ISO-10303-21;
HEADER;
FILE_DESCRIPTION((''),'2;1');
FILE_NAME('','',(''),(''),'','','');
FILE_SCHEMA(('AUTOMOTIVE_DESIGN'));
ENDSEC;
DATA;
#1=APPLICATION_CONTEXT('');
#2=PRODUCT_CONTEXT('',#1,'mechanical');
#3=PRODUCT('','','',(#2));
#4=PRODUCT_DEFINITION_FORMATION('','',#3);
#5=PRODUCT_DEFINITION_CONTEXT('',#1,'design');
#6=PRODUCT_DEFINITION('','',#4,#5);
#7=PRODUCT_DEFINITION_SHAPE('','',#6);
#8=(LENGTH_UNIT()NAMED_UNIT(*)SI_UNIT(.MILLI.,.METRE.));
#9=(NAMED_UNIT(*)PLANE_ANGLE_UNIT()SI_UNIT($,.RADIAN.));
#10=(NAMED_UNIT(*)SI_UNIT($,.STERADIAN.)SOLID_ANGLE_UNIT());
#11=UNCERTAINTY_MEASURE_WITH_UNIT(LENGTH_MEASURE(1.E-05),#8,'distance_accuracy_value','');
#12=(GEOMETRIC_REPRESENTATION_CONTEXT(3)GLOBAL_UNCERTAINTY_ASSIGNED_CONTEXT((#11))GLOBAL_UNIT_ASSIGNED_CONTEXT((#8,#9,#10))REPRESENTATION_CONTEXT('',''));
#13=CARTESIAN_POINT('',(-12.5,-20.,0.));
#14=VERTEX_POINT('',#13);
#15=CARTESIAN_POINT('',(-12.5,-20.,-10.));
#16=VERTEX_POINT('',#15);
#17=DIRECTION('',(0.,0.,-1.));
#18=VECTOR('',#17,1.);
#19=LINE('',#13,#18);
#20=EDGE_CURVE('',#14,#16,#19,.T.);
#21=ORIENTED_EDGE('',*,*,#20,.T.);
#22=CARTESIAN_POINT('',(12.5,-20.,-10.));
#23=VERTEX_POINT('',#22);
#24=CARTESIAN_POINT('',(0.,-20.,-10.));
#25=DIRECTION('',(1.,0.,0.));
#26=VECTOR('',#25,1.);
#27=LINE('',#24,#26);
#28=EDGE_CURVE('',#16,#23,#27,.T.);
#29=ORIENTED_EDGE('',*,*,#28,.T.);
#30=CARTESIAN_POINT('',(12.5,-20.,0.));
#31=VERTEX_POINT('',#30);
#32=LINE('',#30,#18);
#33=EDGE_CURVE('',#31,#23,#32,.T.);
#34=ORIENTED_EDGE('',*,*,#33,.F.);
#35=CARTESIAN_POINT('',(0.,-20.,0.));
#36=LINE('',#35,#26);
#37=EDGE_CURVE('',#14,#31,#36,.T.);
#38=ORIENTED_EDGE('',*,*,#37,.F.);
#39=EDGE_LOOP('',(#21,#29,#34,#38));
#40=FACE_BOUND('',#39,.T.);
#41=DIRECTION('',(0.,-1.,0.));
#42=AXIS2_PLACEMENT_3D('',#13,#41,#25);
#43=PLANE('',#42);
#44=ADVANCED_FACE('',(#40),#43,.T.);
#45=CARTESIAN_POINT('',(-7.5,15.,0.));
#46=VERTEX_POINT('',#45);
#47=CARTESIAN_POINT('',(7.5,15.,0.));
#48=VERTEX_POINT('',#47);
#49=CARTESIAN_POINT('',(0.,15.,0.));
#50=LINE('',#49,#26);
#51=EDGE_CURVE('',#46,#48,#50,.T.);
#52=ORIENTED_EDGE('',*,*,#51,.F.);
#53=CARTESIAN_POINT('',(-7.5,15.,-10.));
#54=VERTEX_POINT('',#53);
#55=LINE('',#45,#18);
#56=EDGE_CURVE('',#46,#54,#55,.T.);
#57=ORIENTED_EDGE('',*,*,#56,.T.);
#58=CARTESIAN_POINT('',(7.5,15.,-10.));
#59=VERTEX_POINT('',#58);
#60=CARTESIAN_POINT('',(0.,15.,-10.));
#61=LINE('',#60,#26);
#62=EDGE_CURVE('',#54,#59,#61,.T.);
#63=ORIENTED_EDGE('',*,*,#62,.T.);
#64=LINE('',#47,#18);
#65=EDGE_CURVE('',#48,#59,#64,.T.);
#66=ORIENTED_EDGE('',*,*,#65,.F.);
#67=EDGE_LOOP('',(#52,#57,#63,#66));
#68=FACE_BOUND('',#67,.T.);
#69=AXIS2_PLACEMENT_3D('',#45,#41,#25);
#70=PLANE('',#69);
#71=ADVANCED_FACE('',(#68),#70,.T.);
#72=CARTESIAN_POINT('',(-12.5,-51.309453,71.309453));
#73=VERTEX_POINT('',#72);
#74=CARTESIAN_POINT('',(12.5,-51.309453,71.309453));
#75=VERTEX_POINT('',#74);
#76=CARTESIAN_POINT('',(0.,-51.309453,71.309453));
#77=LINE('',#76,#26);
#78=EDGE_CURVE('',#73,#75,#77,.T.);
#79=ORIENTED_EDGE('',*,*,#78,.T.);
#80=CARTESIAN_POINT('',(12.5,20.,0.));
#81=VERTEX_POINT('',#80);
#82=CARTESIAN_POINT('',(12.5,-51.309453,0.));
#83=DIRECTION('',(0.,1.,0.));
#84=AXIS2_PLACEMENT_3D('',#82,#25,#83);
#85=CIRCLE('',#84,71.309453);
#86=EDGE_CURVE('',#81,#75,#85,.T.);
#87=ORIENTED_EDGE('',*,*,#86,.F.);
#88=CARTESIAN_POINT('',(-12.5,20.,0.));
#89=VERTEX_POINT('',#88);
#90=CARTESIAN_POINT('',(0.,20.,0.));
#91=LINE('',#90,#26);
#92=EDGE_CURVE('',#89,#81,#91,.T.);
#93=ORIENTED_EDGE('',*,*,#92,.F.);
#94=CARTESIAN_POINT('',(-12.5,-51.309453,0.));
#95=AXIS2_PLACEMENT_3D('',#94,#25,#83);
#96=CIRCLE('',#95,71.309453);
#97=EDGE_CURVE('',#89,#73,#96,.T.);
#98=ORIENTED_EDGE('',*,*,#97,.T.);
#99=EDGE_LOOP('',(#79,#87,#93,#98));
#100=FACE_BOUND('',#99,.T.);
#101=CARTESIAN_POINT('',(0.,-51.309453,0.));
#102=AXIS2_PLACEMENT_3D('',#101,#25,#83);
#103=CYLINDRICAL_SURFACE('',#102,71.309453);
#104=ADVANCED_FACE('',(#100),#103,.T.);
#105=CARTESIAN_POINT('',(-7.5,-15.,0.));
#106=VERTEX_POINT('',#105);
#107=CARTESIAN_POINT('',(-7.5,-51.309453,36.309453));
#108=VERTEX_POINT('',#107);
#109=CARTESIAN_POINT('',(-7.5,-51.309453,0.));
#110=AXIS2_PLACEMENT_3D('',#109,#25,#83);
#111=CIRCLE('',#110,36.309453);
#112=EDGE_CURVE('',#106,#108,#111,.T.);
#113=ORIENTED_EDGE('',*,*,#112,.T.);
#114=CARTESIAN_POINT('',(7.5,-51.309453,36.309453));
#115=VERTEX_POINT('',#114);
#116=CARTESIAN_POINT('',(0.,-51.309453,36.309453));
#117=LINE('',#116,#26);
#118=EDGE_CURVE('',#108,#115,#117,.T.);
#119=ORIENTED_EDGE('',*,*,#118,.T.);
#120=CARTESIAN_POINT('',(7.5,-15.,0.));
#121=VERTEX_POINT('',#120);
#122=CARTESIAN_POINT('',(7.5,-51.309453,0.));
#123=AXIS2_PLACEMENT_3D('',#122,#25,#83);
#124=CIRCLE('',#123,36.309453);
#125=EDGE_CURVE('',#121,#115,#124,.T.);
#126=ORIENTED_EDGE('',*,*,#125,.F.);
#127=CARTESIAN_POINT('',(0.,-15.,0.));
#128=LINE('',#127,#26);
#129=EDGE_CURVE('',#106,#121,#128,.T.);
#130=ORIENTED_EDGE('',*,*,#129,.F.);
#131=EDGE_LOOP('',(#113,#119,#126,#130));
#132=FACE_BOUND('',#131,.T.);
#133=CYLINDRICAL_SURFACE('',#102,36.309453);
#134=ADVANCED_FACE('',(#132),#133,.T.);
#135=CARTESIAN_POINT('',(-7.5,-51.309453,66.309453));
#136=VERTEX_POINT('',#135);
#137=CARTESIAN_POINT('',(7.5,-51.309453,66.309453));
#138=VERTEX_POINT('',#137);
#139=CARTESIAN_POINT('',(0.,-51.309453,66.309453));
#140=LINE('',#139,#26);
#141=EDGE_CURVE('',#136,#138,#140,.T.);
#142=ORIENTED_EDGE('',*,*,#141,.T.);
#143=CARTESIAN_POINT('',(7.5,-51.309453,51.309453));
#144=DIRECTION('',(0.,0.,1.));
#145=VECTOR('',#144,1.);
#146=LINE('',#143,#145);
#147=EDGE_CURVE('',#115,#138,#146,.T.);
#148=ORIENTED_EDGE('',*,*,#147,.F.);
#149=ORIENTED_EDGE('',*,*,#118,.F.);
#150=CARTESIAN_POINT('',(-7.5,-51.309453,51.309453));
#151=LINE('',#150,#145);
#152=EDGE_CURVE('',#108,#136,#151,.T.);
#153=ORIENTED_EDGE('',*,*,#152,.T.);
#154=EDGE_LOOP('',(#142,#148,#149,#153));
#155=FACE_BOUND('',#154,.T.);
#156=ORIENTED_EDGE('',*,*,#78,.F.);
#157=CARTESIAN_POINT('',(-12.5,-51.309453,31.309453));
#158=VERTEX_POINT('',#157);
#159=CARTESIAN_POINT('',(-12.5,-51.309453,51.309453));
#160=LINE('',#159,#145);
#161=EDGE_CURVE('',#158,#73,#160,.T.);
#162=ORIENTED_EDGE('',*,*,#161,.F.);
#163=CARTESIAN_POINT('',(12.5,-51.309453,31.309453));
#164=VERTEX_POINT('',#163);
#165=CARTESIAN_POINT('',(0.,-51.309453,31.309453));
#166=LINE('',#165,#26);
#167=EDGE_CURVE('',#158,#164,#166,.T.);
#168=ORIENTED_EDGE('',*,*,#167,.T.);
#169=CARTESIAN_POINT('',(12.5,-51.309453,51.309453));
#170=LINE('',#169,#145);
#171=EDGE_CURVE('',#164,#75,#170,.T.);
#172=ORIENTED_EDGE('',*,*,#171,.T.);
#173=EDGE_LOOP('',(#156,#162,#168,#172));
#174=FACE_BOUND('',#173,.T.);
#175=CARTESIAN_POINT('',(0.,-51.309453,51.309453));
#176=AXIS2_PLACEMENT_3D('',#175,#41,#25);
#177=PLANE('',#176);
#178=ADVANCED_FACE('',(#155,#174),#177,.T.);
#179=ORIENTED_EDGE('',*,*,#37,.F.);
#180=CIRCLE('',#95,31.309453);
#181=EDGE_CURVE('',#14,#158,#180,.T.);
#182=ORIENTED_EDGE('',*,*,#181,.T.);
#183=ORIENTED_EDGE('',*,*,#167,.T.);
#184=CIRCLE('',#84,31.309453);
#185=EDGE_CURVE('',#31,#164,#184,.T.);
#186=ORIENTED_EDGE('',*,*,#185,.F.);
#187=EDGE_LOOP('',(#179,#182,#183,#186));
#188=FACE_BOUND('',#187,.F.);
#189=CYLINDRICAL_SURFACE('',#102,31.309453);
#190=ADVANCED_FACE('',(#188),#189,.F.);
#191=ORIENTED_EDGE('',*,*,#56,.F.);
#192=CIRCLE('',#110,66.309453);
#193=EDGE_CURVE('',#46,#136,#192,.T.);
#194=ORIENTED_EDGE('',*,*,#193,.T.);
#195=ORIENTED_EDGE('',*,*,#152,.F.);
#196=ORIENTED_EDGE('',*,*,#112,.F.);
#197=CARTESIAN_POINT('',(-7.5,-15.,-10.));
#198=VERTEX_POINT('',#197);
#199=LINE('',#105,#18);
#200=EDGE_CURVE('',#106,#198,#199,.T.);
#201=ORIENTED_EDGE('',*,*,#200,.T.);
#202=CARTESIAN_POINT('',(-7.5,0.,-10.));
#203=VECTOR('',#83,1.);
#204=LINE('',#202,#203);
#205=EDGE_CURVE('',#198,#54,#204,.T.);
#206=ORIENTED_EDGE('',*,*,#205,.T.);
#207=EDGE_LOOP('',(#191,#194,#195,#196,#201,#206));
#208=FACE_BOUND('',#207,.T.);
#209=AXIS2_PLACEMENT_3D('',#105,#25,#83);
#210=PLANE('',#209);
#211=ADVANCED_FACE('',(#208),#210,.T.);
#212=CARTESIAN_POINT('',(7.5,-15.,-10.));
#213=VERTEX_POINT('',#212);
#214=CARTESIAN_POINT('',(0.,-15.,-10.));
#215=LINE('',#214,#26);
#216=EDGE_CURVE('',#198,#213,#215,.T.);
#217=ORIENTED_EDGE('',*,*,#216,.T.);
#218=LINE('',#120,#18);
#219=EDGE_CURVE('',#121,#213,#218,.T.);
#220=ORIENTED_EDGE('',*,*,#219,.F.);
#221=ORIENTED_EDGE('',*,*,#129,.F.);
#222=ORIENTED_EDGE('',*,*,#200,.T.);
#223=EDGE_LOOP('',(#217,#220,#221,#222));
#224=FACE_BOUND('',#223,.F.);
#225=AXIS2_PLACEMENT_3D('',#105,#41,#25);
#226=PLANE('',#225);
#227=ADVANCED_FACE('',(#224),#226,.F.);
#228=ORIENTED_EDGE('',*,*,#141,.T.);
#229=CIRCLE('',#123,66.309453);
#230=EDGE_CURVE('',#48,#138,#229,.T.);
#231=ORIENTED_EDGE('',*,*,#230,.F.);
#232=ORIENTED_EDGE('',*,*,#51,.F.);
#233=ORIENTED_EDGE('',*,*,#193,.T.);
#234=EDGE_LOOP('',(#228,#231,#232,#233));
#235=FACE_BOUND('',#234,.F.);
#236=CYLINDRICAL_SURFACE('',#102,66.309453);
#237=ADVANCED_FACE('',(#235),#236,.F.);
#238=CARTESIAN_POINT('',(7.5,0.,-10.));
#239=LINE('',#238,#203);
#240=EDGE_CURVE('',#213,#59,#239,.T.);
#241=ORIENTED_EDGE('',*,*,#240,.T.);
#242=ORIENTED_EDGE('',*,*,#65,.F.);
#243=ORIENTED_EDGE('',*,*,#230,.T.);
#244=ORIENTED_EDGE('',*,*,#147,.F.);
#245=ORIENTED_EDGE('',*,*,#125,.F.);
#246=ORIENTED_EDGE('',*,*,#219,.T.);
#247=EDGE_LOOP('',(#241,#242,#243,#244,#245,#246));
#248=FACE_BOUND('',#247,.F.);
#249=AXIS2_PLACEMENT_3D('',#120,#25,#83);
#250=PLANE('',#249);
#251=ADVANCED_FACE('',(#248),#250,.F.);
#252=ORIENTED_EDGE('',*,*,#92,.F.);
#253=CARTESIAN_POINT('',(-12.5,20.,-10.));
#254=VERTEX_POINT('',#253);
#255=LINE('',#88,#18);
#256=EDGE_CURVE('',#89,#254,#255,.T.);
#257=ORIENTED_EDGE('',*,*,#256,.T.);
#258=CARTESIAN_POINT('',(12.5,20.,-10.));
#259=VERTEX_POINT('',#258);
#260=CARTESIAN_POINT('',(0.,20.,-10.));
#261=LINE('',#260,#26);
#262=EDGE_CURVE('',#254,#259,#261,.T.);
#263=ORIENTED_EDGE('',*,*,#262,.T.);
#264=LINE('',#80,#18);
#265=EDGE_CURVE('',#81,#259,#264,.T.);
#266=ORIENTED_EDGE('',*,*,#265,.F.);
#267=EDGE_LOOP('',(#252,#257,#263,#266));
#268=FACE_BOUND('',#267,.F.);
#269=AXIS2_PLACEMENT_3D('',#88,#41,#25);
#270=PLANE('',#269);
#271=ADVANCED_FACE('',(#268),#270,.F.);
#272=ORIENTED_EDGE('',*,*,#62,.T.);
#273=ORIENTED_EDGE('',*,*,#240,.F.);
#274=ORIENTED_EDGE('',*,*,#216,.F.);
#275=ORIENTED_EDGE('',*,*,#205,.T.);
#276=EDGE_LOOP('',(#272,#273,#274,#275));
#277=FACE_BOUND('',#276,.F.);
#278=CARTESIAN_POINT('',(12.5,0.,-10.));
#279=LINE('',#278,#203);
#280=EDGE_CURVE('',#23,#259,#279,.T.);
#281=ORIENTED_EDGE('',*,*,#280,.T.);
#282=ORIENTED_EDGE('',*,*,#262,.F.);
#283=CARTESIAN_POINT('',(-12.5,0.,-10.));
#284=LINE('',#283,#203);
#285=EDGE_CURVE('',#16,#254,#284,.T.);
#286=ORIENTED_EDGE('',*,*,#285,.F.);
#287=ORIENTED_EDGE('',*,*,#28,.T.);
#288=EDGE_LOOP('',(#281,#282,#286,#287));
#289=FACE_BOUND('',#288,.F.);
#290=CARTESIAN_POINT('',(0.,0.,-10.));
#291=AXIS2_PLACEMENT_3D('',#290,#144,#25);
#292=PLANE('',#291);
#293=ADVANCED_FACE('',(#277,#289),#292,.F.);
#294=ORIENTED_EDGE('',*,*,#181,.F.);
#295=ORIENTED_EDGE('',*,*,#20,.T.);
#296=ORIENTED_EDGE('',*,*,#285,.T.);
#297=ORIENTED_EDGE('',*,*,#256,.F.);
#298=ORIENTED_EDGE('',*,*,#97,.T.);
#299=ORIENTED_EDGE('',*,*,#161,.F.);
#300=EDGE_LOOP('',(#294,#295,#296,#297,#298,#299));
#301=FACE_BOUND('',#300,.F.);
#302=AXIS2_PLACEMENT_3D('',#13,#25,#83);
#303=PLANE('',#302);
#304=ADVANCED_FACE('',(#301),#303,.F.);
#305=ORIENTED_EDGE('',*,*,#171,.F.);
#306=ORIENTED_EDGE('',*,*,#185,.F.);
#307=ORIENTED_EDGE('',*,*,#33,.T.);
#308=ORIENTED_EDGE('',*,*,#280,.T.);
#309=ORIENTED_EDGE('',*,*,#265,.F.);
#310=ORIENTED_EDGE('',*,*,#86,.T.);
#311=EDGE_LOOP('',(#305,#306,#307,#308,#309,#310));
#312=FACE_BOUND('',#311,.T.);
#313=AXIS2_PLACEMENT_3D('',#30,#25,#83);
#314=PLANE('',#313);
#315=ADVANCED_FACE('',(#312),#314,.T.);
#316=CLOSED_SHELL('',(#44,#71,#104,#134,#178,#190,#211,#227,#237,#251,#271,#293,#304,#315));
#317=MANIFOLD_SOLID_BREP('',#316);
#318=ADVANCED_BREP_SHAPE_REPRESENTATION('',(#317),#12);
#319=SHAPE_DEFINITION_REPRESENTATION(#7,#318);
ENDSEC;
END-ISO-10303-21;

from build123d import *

# Parameters (mm, degrees)
F0_W     = 25
F0_H     = 40
F2_ANGLE = 90
F1_W     = 15
F1_H     = 30
F3_ANGLE = 90
F4_DEPTH = 10
F5_DEPTH = 10


with BuildPart() as f2:
    # F0 (on Top) → F2 (revolve)
    with BuildSketch(Plane.XY):
        Rectangle(F0_W, F0_H)
    revolve(axis=Axis((-1.096226, -51.309453, 0), (1, 0, 0)), revolution_arc=F2_ANGLE)

    # F1 (on Top) → F3 (revolve, cut)
    with BuildSketch(Plane.XY):
        Rectangle(F1_W, F1_H)
    revolve(axis=Axis((-1.096226, -51.309453, 0), (1, 0, 0)), revolution_arc=F3_ANGLE, mode=Mode.SUBTRACT)

    # F0 (on Top) → F4 (join)
    with BuildSketch(Plane.XY):
        Rectangle(F0_W, F0_H)
    extrude(amount=-F4_DEPTH)

    # F1 (on Top) → F5 (cut)
    with BuildSketch(Plane.XY):
        Rectangle(F1_W, F1_H)
    extrude(amount=-F5_DEPTH, mode=Mode.SUBTRACT)


solid = f2.part
